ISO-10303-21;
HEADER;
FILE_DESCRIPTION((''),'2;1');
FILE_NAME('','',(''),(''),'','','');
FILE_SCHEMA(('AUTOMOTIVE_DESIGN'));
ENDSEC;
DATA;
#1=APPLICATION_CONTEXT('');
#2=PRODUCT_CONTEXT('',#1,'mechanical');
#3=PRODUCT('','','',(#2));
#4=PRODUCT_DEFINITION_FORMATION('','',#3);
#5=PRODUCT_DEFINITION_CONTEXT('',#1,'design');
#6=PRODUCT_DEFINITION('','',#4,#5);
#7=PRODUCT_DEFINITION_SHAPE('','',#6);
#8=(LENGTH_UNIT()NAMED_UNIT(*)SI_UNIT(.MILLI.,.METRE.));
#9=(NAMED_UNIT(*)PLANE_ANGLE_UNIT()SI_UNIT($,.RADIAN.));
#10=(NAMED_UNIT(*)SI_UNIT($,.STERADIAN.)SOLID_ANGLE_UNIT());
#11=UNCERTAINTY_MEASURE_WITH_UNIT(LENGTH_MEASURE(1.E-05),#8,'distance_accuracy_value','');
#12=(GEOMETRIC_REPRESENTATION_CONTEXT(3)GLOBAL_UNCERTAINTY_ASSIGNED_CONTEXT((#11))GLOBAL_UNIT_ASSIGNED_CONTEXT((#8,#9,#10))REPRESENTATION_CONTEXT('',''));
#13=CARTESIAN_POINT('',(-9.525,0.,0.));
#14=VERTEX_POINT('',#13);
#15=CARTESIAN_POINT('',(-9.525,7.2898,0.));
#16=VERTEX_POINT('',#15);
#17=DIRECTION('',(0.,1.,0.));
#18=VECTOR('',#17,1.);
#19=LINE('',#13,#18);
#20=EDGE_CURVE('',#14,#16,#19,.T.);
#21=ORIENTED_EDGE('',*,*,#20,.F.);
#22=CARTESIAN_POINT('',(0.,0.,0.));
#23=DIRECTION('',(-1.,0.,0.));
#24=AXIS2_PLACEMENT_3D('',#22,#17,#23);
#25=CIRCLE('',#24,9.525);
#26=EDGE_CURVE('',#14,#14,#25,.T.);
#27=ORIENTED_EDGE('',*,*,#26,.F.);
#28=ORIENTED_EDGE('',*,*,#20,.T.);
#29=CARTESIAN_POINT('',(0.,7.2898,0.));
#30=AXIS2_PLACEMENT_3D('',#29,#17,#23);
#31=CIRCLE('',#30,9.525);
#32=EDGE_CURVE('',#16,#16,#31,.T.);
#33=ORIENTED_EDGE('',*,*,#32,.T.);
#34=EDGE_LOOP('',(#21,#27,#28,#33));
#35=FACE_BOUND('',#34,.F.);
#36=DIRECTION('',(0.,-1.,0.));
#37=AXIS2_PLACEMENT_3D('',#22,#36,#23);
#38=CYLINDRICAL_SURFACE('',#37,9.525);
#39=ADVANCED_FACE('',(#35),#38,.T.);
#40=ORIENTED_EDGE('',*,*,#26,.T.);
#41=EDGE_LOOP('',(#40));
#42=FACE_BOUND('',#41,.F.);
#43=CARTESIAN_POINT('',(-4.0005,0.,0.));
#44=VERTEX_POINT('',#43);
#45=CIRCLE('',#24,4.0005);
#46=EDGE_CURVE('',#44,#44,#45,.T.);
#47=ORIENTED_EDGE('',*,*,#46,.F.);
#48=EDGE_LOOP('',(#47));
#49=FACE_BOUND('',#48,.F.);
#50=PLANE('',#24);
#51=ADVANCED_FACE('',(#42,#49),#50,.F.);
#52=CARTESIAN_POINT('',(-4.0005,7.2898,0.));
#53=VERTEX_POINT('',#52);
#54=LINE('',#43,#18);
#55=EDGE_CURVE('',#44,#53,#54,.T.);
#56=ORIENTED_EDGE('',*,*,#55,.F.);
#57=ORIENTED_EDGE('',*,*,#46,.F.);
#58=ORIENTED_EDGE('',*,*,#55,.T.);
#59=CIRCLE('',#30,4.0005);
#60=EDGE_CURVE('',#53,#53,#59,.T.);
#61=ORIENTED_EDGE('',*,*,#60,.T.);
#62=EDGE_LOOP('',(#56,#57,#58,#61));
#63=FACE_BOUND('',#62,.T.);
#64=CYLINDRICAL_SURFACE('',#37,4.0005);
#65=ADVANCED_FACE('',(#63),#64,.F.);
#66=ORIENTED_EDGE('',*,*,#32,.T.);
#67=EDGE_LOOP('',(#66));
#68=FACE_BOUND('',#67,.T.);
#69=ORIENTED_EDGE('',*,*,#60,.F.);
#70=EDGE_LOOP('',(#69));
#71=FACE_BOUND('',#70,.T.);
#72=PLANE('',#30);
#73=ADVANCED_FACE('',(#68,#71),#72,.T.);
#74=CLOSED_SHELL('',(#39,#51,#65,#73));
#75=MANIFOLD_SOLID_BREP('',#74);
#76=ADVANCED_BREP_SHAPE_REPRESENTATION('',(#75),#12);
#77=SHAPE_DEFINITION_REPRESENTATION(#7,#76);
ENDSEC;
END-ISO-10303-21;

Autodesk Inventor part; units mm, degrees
ref_plane "YZ Plane" through (0, 0, 0) normal (1, 0, 0) x (0, 1, 0)
ref_plane "XZ Plane" through (0, 0, 0) normal (0, 1, 0) x (-1, 0, 0)
ref_plane "XY Plane" through (0, 0, 0) normal (0, 0, 1) x (1, 0, 0)
sketch "Sketch1" plane through (0, 0, 0) normal (0, 1, 0) x (-1, 0, 0)
  circle A0 centre (0, 0) radius 4.0005
  circle A1 centre (0, 0) radius 9.525
  dimension "d0" = 8.001
  dimension "d1" = 19.05
extrude "Extrusion1" add sketch "Sketch1" along normal blind 7.2898
properties part number "SHOT_1_011_Spacer2" material "Aluminum 6061"
